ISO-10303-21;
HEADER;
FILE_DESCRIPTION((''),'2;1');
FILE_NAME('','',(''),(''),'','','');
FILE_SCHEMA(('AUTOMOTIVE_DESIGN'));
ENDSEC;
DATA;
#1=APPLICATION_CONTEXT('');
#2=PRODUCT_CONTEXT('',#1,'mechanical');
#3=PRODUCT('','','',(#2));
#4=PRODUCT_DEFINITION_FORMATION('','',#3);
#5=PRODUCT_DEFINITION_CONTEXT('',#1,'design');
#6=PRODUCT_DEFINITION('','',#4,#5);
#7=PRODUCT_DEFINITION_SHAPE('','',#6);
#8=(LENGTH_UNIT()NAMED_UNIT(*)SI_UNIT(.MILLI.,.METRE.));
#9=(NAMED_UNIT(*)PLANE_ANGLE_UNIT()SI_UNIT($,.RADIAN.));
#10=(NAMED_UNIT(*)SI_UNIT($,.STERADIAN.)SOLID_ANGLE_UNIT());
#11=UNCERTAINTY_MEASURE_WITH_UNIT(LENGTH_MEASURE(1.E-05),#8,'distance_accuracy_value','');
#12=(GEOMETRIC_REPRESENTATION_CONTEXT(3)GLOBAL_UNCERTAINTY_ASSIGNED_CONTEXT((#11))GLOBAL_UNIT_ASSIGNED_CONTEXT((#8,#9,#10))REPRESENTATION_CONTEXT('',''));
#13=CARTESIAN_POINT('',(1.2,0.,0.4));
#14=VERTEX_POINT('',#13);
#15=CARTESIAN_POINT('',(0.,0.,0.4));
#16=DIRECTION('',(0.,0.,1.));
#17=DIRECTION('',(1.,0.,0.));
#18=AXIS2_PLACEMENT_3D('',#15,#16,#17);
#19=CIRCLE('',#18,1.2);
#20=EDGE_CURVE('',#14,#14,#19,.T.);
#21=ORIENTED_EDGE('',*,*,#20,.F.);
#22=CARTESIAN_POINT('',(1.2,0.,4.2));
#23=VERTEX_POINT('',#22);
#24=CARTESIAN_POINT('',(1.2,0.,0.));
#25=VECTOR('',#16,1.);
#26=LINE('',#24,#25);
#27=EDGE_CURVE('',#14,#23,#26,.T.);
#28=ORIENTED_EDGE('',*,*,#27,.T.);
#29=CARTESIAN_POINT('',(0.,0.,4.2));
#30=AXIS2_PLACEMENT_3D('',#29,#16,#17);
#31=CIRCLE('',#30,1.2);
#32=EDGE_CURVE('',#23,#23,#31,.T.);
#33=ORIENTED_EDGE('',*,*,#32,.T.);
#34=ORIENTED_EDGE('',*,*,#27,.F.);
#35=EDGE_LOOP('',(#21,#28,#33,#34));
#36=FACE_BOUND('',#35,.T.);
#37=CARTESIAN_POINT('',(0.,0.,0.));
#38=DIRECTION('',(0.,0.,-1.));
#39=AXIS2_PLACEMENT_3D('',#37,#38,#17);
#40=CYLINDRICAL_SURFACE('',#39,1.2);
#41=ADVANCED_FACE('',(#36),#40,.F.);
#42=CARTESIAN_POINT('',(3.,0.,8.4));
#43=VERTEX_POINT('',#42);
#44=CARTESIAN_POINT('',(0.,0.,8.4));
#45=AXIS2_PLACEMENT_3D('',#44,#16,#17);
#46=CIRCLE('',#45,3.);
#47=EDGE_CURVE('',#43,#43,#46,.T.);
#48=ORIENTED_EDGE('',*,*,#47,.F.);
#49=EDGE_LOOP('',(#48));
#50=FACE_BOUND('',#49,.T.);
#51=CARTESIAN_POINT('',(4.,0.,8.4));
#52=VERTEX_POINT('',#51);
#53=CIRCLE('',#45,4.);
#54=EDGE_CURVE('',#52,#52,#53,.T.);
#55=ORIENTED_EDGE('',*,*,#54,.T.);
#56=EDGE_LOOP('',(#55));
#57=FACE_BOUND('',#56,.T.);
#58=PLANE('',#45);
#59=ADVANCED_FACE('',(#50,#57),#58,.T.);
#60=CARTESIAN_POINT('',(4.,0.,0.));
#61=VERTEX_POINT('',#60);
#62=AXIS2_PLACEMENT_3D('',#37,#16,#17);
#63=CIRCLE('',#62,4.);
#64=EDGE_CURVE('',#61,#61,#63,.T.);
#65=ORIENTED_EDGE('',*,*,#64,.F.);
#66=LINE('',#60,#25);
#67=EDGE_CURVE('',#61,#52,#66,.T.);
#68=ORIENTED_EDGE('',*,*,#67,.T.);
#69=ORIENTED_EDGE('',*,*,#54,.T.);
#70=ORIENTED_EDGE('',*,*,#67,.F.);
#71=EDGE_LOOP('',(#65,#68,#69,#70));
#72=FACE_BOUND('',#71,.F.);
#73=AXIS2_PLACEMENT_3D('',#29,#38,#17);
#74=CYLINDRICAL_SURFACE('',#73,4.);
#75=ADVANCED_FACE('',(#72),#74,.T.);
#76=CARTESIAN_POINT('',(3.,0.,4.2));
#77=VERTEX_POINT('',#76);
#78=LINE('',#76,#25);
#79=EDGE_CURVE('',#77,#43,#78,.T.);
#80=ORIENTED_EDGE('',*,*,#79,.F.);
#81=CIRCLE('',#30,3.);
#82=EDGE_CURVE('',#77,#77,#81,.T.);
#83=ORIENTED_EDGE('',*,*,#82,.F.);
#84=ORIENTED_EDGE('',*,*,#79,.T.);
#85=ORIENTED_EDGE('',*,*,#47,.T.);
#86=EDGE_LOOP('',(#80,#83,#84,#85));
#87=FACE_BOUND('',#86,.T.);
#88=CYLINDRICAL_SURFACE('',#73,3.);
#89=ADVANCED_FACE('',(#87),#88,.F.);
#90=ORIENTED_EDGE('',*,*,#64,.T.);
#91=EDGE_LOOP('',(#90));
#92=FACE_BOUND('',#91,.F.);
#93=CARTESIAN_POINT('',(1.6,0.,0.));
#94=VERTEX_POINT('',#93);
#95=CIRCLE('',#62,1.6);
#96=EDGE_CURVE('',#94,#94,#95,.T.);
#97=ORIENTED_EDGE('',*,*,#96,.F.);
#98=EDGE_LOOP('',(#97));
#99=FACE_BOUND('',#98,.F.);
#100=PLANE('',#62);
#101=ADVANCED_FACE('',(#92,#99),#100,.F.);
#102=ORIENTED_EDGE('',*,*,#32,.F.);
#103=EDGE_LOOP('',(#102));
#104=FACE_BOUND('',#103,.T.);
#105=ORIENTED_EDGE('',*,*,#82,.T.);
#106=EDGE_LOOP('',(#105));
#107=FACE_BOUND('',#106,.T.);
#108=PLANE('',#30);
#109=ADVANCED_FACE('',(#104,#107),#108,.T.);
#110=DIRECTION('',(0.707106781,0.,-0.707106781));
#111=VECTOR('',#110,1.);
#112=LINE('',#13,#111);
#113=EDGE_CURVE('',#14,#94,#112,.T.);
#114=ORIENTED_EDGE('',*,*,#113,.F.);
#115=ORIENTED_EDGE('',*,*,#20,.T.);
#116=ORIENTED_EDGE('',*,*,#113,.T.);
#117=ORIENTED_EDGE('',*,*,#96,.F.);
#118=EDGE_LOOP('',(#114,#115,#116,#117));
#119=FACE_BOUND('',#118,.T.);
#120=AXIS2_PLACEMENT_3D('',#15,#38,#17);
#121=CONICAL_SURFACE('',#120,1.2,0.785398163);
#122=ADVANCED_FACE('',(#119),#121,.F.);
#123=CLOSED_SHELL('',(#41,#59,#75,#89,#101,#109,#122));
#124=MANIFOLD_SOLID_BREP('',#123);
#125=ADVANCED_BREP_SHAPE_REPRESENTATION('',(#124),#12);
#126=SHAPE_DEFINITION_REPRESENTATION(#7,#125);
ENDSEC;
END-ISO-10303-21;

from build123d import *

# Parameters (mm, degrees)
F0_R     = 4
F0_R_2   = 1.2
F1_DEPTH = 4.2
F4_SIZE  = 0.4
F2_R     = 4
F2_R_2   = 3
F3_DEPTH = 4.2


with BuildPart() as f1:
    # F0 (on Top) → F1 (new body)
    with BuildSketch(Plane.XY):
        Circle(F0_R)
        Circle(F0_R_2, mode=Mode.SUBTRACT)
    extrude(amount=F1_DEPTH)

    # F4
    f4_edges = [f1.edges().sort_by_distance(p)[0] for p in [
        (-1.2, 0, 0),
    ]]
    chamfer(f4_edges, length=F4_SIZE)

    # F2 (on face) → F3 (join)
    with BuildSketch(Plane.XY.offset(4.2)):
        Circle(F2_R)
        Circle(F2_R_2, mode=Mode.SUBTRACT)
    extrude(amount=F3_DEPTH)


solid = f1.part
